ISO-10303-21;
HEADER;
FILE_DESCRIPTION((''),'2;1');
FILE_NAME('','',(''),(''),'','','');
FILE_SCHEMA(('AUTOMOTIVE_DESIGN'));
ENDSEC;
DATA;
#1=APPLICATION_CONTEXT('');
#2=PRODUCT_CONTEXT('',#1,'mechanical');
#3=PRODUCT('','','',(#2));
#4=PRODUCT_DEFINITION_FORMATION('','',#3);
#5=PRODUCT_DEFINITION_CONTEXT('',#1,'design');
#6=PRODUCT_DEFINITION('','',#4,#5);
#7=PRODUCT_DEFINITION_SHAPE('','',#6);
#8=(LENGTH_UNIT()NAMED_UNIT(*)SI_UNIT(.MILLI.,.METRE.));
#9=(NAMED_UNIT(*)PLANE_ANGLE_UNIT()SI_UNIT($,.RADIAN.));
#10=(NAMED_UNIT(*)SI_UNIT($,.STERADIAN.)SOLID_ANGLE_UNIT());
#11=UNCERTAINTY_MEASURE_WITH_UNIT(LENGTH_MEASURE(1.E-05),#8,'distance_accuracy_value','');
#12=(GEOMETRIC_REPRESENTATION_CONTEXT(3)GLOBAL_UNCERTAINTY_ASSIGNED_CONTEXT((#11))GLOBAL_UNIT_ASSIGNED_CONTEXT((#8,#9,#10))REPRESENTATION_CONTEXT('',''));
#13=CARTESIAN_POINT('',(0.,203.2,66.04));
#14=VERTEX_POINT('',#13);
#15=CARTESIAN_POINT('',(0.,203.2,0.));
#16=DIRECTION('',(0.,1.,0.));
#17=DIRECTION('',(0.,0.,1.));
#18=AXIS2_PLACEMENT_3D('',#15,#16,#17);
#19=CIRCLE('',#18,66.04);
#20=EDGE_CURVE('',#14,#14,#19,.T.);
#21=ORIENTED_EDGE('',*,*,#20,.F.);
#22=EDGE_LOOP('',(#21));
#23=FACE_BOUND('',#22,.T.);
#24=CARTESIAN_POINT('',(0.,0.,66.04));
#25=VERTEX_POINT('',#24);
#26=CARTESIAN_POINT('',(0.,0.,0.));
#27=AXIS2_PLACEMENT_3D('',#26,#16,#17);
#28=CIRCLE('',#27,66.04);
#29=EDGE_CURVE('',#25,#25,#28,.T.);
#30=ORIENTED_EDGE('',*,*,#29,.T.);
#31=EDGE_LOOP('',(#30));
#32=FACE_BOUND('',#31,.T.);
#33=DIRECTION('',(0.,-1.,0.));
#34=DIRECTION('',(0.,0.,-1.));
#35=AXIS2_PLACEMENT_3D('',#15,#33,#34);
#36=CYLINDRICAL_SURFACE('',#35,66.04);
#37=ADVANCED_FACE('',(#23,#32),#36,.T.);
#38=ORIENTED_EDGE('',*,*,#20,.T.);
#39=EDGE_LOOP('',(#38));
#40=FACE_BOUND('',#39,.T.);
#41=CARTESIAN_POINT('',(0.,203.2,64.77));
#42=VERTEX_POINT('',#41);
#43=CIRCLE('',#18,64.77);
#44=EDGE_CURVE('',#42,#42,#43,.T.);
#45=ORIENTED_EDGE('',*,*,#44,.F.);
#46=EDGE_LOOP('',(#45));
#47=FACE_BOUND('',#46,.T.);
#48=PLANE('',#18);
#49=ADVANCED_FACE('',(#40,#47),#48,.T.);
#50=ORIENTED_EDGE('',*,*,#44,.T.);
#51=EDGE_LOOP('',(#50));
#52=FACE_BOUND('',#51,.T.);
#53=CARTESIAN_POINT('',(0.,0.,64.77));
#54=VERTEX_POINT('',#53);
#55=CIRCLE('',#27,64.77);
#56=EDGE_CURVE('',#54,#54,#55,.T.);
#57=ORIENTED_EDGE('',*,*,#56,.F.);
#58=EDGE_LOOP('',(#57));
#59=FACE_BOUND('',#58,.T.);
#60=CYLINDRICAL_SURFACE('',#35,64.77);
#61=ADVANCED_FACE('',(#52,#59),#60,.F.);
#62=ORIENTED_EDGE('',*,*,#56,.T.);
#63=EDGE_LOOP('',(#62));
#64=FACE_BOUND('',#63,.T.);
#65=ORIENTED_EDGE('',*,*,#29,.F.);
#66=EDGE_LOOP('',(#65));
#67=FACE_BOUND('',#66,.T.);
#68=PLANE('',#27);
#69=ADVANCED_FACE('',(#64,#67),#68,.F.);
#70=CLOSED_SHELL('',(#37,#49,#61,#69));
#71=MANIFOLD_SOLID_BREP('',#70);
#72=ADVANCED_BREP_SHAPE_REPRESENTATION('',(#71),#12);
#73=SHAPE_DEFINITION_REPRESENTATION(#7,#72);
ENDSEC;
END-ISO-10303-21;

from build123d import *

# Parameters (mm, degrees)
SKETCH1_R           = 66.04
SKETCH1_R_2         = 64.77
BOSS_EXTRUDE1_DEPTH = 203.2


with BuildPart() as part:
    # Sketch1 → Boss-Extrude1 (new body)
    with BuildSketch(Plane(origin=(0, 0, 0), x_dir=(1, 0, 0), z_dir=(0, 1, 0))):
        Circle(SKETCH1_R)
        Circle(SKETCH1_R_2, mode=Mode.SUBTRACT)
    extrude(amount=BOSS_EXTRUDE1_DEPTH)


solid = part.part
